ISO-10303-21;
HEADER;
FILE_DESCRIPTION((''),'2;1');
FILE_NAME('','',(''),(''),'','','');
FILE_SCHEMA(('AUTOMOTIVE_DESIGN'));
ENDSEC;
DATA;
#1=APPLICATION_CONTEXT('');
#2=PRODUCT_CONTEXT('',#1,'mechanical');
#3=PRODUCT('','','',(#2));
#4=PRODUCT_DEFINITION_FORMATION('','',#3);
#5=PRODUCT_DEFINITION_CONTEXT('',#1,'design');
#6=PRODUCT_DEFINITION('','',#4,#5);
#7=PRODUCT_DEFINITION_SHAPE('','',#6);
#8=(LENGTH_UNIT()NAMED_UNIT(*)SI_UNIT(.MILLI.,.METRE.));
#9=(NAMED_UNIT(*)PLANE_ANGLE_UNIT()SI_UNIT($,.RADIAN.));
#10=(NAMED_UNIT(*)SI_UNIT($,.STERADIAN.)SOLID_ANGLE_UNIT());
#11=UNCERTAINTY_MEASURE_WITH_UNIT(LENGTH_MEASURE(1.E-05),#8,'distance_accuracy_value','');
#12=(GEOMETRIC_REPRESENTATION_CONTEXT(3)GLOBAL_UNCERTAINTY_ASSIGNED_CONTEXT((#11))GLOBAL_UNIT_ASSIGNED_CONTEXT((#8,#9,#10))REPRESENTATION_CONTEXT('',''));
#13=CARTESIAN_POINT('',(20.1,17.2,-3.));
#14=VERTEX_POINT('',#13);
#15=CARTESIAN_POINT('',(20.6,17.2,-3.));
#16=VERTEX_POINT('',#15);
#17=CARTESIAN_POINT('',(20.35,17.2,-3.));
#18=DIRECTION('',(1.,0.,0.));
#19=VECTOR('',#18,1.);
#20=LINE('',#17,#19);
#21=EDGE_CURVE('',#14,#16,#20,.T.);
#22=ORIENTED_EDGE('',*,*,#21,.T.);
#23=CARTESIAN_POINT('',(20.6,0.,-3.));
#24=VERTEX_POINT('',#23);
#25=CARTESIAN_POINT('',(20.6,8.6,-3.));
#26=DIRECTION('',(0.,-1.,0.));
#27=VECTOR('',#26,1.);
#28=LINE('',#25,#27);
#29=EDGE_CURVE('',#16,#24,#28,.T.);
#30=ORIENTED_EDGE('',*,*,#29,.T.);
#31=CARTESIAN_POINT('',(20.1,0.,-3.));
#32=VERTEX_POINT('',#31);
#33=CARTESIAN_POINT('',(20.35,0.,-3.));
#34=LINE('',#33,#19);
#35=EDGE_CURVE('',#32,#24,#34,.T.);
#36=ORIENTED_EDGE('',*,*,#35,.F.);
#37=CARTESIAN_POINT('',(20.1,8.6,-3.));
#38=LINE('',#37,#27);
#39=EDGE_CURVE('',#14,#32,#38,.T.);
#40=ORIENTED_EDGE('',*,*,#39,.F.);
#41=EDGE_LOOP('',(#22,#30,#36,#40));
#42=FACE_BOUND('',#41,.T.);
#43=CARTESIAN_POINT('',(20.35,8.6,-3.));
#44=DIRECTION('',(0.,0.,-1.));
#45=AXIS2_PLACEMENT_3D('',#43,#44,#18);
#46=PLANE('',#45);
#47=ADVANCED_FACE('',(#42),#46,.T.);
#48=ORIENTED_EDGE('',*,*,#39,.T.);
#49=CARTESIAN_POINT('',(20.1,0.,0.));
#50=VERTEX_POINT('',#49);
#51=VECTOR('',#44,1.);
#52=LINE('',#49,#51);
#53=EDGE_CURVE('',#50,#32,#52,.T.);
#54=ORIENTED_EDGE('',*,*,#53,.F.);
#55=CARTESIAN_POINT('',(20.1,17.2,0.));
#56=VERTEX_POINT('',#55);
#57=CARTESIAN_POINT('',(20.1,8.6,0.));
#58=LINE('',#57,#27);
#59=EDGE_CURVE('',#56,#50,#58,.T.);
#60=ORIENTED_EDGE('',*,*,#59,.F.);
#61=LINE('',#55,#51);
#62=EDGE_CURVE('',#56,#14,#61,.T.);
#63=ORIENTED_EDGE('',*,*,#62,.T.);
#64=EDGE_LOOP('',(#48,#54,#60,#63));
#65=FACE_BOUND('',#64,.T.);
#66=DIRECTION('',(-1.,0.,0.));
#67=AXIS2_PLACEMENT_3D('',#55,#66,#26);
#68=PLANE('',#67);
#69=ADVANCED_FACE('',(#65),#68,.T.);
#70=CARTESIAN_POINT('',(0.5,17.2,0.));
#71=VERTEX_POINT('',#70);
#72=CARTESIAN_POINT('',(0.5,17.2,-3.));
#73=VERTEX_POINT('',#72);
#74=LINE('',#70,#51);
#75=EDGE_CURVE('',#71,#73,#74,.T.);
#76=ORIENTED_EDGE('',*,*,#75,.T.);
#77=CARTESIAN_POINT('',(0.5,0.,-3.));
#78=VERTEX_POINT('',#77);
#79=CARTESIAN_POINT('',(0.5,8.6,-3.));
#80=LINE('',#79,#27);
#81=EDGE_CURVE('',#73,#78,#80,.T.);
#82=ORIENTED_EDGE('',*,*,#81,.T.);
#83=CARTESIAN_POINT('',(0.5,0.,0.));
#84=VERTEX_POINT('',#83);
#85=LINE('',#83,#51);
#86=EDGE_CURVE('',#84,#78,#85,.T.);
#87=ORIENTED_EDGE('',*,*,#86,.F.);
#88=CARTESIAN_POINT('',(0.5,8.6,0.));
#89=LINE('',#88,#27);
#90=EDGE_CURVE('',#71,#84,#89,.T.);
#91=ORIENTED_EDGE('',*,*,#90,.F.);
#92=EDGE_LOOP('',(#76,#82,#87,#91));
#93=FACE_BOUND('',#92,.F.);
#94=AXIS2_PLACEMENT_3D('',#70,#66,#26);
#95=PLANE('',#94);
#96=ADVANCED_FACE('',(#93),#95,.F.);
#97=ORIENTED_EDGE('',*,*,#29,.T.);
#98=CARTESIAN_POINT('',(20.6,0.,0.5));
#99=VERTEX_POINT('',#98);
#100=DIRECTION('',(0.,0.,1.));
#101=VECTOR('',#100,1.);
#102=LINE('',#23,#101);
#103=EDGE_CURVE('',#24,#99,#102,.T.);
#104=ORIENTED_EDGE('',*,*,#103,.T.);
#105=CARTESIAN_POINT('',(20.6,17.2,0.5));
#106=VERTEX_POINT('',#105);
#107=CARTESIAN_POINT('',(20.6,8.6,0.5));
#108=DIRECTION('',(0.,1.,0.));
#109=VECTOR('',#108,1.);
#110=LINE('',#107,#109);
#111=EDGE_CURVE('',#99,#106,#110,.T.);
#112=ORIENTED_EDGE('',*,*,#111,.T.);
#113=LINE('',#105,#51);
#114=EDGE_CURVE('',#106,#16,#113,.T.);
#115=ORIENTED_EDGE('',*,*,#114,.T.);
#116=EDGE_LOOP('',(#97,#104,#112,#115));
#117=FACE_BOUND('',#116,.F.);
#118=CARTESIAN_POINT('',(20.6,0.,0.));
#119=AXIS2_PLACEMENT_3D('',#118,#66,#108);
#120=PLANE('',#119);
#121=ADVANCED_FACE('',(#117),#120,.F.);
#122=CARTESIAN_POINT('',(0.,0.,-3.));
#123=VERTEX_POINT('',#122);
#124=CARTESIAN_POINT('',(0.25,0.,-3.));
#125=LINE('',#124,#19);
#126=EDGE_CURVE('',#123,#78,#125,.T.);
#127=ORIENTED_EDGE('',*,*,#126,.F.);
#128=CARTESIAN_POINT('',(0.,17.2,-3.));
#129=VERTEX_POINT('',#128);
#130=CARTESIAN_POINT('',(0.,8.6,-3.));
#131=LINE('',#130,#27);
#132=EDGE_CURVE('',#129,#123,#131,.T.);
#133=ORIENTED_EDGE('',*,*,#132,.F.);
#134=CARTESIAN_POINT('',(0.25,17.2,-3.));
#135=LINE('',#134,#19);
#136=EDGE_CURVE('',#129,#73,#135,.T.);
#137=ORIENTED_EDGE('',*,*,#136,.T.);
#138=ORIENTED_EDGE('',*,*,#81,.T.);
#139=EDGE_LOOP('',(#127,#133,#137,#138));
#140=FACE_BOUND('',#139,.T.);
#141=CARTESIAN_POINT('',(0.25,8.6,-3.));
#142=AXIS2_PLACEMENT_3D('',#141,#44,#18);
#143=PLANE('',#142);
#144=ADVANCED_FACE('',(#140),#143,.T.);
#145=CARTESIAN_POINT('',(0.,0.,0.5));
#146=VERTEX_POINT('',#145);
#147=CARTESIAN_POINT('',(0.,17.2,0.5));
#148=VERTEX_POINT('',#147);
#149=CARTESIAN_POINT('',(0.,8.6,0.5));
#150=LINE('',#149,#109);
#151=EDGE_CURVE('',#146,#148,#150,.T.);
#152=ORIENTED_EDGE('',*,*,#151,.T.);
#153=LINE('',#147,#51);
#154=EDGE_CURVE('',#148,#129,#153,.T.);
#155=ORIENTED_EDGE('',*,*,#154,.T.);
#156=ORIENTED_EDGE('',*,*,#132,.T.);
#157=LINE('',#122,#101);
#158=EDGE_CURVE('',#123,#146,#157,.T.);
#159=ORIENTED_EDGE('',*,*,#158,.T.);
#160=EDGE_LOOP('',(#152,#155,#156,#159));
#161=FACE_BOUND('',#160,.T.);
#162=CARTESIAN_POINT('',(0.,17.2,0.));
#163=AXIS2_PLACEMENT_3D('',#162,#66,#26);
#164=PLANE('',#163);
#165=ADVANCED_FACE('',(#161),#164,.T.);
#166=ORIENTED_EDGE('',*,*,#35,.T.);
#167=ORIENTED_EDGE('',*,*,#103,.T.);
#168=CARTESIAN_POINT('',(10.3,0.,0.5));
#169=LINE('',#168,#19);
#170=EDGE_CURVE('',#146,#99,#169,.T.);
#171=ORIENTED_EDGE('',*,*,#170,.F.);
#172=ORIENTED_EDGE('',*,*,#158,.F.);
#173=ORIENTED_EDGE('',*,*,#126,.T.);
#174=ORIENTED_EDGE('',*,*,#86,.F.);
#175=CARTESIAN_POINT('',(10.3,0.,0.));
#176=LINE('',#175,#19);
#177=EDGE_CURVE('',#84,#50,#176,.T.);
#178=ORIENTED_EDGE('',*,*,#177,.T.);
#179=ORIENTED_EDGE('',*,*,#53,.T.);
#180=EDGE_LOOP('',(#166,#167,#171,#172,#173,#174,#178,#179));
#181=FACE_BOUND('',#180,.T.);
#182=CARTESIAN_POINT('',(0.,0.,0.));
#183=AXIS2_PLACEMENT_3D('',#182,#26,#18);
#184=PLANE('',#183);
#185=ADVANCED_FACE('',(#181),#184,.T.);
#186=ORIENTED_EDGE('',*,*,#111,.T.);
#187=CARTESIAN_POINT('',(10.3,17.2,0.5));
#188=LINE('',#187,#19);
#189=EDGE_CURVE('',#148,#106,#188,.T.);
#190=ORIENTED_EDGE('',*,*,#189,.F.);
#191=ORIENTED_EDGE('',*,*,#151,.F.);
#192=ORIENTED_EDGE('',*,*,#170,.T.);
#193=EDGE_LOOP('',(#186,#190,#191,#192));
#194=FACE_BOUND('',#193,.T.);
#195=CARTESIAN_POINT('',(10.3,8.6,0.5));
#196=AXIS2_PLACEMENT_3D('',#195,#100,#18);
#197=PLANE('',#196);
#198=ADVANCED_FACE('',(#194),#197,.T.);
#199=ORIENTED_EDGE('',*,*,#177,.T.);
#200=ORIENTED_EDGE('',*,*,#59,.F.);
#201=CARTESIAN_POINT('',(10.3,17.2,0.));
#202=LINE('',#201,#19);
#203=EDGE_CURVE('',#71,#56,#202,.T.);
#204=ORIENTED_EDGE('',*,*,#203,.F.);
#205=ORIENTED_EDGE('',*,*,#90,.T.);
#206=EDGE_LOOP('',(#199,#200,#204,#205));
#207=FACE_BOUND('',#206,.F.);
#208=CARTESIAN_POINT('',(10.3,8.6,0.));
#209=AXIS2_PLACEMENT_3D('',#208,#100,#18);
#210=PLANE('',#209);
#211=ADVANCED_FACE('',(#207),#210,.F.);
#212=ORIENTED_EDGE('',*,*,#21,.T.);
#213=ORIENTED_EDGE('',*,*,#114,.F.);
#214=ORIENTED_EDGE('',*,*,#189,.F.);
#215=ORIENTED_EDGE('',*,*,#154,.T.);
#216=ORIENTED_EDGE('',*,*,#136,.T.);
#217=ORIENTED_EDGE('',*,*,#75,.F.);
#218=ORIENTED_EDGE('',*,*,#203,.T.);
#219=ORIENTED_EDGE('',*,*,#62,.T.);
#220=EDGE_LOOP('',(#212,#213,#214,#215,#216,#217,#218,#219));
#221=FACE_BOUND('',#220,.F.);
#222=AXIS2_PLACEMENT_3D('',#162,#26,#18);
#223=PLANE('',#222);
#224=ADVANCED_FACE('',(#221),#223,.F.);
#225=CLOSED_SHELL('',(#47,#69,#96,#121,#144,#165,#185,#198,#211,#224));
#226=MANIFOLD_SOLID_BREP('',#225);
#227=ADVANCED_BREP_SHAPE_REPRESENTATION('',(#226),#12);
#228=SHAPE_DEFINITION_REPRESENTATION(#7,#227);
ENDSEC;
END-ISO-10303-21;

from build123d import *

# Parameters (mm, degrees)
F0_W     = 20.6
F0_H     = 17.2
F1_DEPTH = 0.5
F2_W     = 0.5
F2_H     = 17.2
F3_DEPTH = 3


with BuildPart() as f1:
    # F0 (on Top) → F1 (new body)
    with BuildSketch(Plane.XY):
        with Locations((10.3, 8.6)):
            Rectangle(F0_W, F0_H)
    extrude(amount=F1_DEPTH)

    # F2 (on face) → F3 (join)
    with BuildSketch(Plane(origin=(0, 0, 0), x_dir=(1, 0, 0), z_dir=(0, 0, -1))):
        with Locations((0.25, -8.6)):
            Rectangle(F2_W, F2_H)
        with Locations((20.35, -8.6)):
            Rectangle(F2_W, F2_H)
    extrude(amount=F3_DEPTH)


solid = f1.part
